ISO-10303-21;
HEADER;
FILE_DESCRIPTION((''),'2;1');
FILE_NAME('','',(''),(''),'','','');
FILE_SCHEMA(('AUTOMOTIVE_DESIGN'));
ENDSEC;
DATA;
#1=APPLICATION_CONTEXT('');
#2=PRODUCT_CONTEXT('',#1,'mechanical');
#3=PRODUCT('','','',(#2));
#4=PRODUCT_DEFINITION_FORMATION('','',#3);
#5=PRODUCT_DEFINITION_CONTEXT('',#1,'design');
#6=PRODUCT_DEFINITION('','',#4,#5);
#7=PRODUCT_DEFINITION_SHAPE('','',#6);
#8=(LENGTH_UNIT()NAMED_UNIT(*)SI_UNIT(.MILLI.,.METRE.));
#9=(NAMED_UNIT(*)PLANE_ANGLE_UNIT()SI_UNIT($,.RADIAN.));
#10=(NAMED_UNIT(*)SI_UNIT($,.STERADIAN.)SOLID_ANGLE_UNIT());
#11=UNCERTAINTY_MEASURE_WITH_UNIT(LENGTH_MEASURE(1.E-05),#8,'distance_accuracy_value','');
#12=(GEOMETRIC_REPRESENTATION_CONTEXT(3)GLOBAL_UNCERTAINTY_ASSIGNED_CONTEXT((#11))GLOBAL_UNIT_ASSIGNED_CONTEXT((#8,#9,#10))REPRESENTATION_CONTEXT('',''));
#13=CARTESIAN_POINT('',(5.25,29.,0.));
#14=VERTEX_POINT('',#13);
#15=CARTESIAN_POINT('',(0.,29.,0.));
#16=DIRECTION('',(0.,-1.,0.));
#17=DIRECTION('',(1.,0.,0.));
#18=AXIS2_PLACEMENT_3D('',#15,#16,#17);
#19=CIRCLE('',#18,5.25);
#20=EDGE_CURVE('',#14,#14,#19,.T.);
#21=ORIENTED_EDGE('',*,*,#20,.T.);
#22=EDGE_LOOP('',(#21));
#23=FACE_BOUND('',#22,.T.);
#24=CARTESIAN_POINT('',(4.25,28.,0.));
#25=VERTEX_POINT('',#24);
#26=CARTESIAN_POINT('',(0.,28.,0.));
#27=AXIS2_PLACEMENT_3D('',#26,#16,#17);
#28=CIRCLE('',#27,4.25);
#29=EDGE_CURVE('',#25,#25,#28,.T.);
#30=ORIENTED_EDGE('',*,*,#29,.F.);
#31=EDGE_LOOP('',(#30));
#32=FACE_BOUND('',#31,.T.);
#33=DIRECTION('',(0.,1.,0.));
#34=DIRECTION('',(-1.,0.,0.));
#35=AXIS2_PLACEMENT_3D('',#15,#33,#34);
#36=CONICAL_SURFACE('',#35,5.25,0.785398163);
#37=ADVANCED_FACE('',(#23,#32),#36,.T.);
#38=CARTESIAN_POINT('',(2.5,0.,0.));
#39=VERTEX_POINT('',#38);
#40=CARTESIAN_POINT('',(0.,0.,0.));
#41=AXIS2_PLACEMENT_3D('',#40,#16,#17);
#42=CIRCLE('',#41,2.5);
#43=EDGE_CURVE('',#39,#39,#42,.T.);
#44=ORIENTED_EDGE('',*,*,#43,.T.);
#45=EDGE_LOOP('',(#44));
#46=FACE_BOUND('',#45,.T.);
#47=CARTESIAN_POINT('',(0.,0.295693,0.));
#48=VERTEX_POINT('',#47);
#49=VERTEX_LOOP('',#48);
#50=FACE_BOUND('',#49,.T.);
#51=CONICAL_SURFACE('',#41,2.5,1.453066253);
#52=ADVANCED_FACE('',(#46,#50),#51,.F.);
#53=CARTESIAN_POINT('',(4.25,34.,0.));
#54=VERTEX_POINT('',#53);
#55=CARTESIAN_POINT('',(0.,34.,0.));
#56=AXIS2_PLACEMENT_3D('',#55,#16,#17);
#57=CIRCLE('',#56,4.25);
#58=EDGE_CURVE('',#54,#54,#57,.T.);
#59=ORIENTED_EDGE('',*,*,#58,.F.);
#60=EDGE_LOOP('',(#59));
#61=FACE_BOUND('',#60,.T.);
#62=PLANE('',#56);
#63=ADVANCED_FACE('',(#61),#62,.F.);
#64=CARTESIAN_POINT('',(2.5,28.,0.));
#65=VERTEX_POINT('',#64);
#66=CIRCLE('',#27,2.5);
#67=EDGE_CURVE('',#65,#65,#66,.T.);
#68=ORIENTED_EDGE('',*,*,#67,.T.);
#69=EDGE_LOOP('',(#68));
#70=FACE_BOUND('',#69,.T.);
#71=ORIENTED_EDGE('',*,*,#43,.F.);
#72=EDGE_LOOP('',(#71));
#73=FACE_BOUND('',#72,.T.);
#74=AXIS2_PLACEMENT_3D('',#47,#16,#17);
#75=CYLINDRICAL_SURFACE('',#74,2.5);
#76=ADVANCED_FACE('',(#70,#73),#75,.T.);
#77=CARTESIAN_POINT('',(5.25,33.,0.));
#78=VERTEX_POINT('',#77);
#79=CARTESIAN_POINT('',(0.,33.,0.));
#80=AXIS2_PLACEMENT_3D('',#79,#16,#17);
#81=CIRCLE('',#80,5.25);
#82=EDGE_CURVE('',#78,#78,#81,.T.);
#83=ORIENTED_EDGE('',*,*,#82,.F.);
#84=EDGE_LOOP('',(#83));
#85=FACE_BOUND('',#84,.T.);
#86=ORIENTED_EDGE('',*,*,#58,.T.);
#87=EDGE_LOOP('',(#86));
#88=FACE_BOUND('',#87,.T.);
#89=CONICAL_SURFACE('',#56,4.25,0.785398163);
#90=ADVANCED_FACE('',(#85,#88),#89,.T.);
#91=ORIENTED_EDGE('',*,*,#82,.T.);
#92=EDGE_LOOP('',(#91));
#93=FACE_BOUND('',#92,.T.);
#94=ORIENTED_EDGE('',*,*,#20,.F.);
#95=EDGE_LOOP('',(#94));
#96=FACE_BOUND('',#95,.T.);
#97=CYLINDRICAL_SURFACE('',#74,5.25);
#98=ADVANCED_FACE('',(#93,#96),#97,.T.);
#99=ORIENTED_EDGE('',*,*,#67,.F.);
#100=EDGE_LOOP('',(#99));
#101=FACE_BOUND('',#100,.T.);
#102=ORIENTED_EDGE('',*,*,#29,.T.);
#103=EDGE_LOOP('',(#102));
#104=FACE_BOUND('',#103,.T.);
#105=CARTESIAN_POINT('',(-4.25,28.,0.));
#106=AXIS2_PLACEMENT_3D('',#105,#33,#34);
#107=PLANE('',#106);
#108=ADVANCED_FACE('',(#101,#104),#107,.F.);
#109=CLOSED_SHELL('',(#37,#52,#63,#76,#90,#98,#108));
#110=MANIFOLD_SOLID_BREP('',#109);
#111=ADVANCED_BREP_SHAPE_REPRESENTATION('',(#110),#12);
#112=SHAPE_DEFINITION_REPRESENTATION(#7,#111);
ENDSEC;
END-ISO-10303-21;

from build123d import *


with BuildPart() as part:
    # Sketch2 → Revolve1 (revolve)
    with BuildSketch(Plane.XY, mode=Mode.PRIVATE) as revolve1_sk:
        Polygon((0, 34), (-4.25, 34), (-5.25, 33), (-5.25, 29), (-4.25, 28), (-2.5, 28), (-2.5, 0), (0, 0.295692584), align=None)
    revolve(revolve1_sk.sketch.rotate(Axis((0, 0.295692584, 0), (0, 1, 0)), 180), axis=Axis((0, 0.295692584, 0), (0, 1, 0)))


solid = part.part
